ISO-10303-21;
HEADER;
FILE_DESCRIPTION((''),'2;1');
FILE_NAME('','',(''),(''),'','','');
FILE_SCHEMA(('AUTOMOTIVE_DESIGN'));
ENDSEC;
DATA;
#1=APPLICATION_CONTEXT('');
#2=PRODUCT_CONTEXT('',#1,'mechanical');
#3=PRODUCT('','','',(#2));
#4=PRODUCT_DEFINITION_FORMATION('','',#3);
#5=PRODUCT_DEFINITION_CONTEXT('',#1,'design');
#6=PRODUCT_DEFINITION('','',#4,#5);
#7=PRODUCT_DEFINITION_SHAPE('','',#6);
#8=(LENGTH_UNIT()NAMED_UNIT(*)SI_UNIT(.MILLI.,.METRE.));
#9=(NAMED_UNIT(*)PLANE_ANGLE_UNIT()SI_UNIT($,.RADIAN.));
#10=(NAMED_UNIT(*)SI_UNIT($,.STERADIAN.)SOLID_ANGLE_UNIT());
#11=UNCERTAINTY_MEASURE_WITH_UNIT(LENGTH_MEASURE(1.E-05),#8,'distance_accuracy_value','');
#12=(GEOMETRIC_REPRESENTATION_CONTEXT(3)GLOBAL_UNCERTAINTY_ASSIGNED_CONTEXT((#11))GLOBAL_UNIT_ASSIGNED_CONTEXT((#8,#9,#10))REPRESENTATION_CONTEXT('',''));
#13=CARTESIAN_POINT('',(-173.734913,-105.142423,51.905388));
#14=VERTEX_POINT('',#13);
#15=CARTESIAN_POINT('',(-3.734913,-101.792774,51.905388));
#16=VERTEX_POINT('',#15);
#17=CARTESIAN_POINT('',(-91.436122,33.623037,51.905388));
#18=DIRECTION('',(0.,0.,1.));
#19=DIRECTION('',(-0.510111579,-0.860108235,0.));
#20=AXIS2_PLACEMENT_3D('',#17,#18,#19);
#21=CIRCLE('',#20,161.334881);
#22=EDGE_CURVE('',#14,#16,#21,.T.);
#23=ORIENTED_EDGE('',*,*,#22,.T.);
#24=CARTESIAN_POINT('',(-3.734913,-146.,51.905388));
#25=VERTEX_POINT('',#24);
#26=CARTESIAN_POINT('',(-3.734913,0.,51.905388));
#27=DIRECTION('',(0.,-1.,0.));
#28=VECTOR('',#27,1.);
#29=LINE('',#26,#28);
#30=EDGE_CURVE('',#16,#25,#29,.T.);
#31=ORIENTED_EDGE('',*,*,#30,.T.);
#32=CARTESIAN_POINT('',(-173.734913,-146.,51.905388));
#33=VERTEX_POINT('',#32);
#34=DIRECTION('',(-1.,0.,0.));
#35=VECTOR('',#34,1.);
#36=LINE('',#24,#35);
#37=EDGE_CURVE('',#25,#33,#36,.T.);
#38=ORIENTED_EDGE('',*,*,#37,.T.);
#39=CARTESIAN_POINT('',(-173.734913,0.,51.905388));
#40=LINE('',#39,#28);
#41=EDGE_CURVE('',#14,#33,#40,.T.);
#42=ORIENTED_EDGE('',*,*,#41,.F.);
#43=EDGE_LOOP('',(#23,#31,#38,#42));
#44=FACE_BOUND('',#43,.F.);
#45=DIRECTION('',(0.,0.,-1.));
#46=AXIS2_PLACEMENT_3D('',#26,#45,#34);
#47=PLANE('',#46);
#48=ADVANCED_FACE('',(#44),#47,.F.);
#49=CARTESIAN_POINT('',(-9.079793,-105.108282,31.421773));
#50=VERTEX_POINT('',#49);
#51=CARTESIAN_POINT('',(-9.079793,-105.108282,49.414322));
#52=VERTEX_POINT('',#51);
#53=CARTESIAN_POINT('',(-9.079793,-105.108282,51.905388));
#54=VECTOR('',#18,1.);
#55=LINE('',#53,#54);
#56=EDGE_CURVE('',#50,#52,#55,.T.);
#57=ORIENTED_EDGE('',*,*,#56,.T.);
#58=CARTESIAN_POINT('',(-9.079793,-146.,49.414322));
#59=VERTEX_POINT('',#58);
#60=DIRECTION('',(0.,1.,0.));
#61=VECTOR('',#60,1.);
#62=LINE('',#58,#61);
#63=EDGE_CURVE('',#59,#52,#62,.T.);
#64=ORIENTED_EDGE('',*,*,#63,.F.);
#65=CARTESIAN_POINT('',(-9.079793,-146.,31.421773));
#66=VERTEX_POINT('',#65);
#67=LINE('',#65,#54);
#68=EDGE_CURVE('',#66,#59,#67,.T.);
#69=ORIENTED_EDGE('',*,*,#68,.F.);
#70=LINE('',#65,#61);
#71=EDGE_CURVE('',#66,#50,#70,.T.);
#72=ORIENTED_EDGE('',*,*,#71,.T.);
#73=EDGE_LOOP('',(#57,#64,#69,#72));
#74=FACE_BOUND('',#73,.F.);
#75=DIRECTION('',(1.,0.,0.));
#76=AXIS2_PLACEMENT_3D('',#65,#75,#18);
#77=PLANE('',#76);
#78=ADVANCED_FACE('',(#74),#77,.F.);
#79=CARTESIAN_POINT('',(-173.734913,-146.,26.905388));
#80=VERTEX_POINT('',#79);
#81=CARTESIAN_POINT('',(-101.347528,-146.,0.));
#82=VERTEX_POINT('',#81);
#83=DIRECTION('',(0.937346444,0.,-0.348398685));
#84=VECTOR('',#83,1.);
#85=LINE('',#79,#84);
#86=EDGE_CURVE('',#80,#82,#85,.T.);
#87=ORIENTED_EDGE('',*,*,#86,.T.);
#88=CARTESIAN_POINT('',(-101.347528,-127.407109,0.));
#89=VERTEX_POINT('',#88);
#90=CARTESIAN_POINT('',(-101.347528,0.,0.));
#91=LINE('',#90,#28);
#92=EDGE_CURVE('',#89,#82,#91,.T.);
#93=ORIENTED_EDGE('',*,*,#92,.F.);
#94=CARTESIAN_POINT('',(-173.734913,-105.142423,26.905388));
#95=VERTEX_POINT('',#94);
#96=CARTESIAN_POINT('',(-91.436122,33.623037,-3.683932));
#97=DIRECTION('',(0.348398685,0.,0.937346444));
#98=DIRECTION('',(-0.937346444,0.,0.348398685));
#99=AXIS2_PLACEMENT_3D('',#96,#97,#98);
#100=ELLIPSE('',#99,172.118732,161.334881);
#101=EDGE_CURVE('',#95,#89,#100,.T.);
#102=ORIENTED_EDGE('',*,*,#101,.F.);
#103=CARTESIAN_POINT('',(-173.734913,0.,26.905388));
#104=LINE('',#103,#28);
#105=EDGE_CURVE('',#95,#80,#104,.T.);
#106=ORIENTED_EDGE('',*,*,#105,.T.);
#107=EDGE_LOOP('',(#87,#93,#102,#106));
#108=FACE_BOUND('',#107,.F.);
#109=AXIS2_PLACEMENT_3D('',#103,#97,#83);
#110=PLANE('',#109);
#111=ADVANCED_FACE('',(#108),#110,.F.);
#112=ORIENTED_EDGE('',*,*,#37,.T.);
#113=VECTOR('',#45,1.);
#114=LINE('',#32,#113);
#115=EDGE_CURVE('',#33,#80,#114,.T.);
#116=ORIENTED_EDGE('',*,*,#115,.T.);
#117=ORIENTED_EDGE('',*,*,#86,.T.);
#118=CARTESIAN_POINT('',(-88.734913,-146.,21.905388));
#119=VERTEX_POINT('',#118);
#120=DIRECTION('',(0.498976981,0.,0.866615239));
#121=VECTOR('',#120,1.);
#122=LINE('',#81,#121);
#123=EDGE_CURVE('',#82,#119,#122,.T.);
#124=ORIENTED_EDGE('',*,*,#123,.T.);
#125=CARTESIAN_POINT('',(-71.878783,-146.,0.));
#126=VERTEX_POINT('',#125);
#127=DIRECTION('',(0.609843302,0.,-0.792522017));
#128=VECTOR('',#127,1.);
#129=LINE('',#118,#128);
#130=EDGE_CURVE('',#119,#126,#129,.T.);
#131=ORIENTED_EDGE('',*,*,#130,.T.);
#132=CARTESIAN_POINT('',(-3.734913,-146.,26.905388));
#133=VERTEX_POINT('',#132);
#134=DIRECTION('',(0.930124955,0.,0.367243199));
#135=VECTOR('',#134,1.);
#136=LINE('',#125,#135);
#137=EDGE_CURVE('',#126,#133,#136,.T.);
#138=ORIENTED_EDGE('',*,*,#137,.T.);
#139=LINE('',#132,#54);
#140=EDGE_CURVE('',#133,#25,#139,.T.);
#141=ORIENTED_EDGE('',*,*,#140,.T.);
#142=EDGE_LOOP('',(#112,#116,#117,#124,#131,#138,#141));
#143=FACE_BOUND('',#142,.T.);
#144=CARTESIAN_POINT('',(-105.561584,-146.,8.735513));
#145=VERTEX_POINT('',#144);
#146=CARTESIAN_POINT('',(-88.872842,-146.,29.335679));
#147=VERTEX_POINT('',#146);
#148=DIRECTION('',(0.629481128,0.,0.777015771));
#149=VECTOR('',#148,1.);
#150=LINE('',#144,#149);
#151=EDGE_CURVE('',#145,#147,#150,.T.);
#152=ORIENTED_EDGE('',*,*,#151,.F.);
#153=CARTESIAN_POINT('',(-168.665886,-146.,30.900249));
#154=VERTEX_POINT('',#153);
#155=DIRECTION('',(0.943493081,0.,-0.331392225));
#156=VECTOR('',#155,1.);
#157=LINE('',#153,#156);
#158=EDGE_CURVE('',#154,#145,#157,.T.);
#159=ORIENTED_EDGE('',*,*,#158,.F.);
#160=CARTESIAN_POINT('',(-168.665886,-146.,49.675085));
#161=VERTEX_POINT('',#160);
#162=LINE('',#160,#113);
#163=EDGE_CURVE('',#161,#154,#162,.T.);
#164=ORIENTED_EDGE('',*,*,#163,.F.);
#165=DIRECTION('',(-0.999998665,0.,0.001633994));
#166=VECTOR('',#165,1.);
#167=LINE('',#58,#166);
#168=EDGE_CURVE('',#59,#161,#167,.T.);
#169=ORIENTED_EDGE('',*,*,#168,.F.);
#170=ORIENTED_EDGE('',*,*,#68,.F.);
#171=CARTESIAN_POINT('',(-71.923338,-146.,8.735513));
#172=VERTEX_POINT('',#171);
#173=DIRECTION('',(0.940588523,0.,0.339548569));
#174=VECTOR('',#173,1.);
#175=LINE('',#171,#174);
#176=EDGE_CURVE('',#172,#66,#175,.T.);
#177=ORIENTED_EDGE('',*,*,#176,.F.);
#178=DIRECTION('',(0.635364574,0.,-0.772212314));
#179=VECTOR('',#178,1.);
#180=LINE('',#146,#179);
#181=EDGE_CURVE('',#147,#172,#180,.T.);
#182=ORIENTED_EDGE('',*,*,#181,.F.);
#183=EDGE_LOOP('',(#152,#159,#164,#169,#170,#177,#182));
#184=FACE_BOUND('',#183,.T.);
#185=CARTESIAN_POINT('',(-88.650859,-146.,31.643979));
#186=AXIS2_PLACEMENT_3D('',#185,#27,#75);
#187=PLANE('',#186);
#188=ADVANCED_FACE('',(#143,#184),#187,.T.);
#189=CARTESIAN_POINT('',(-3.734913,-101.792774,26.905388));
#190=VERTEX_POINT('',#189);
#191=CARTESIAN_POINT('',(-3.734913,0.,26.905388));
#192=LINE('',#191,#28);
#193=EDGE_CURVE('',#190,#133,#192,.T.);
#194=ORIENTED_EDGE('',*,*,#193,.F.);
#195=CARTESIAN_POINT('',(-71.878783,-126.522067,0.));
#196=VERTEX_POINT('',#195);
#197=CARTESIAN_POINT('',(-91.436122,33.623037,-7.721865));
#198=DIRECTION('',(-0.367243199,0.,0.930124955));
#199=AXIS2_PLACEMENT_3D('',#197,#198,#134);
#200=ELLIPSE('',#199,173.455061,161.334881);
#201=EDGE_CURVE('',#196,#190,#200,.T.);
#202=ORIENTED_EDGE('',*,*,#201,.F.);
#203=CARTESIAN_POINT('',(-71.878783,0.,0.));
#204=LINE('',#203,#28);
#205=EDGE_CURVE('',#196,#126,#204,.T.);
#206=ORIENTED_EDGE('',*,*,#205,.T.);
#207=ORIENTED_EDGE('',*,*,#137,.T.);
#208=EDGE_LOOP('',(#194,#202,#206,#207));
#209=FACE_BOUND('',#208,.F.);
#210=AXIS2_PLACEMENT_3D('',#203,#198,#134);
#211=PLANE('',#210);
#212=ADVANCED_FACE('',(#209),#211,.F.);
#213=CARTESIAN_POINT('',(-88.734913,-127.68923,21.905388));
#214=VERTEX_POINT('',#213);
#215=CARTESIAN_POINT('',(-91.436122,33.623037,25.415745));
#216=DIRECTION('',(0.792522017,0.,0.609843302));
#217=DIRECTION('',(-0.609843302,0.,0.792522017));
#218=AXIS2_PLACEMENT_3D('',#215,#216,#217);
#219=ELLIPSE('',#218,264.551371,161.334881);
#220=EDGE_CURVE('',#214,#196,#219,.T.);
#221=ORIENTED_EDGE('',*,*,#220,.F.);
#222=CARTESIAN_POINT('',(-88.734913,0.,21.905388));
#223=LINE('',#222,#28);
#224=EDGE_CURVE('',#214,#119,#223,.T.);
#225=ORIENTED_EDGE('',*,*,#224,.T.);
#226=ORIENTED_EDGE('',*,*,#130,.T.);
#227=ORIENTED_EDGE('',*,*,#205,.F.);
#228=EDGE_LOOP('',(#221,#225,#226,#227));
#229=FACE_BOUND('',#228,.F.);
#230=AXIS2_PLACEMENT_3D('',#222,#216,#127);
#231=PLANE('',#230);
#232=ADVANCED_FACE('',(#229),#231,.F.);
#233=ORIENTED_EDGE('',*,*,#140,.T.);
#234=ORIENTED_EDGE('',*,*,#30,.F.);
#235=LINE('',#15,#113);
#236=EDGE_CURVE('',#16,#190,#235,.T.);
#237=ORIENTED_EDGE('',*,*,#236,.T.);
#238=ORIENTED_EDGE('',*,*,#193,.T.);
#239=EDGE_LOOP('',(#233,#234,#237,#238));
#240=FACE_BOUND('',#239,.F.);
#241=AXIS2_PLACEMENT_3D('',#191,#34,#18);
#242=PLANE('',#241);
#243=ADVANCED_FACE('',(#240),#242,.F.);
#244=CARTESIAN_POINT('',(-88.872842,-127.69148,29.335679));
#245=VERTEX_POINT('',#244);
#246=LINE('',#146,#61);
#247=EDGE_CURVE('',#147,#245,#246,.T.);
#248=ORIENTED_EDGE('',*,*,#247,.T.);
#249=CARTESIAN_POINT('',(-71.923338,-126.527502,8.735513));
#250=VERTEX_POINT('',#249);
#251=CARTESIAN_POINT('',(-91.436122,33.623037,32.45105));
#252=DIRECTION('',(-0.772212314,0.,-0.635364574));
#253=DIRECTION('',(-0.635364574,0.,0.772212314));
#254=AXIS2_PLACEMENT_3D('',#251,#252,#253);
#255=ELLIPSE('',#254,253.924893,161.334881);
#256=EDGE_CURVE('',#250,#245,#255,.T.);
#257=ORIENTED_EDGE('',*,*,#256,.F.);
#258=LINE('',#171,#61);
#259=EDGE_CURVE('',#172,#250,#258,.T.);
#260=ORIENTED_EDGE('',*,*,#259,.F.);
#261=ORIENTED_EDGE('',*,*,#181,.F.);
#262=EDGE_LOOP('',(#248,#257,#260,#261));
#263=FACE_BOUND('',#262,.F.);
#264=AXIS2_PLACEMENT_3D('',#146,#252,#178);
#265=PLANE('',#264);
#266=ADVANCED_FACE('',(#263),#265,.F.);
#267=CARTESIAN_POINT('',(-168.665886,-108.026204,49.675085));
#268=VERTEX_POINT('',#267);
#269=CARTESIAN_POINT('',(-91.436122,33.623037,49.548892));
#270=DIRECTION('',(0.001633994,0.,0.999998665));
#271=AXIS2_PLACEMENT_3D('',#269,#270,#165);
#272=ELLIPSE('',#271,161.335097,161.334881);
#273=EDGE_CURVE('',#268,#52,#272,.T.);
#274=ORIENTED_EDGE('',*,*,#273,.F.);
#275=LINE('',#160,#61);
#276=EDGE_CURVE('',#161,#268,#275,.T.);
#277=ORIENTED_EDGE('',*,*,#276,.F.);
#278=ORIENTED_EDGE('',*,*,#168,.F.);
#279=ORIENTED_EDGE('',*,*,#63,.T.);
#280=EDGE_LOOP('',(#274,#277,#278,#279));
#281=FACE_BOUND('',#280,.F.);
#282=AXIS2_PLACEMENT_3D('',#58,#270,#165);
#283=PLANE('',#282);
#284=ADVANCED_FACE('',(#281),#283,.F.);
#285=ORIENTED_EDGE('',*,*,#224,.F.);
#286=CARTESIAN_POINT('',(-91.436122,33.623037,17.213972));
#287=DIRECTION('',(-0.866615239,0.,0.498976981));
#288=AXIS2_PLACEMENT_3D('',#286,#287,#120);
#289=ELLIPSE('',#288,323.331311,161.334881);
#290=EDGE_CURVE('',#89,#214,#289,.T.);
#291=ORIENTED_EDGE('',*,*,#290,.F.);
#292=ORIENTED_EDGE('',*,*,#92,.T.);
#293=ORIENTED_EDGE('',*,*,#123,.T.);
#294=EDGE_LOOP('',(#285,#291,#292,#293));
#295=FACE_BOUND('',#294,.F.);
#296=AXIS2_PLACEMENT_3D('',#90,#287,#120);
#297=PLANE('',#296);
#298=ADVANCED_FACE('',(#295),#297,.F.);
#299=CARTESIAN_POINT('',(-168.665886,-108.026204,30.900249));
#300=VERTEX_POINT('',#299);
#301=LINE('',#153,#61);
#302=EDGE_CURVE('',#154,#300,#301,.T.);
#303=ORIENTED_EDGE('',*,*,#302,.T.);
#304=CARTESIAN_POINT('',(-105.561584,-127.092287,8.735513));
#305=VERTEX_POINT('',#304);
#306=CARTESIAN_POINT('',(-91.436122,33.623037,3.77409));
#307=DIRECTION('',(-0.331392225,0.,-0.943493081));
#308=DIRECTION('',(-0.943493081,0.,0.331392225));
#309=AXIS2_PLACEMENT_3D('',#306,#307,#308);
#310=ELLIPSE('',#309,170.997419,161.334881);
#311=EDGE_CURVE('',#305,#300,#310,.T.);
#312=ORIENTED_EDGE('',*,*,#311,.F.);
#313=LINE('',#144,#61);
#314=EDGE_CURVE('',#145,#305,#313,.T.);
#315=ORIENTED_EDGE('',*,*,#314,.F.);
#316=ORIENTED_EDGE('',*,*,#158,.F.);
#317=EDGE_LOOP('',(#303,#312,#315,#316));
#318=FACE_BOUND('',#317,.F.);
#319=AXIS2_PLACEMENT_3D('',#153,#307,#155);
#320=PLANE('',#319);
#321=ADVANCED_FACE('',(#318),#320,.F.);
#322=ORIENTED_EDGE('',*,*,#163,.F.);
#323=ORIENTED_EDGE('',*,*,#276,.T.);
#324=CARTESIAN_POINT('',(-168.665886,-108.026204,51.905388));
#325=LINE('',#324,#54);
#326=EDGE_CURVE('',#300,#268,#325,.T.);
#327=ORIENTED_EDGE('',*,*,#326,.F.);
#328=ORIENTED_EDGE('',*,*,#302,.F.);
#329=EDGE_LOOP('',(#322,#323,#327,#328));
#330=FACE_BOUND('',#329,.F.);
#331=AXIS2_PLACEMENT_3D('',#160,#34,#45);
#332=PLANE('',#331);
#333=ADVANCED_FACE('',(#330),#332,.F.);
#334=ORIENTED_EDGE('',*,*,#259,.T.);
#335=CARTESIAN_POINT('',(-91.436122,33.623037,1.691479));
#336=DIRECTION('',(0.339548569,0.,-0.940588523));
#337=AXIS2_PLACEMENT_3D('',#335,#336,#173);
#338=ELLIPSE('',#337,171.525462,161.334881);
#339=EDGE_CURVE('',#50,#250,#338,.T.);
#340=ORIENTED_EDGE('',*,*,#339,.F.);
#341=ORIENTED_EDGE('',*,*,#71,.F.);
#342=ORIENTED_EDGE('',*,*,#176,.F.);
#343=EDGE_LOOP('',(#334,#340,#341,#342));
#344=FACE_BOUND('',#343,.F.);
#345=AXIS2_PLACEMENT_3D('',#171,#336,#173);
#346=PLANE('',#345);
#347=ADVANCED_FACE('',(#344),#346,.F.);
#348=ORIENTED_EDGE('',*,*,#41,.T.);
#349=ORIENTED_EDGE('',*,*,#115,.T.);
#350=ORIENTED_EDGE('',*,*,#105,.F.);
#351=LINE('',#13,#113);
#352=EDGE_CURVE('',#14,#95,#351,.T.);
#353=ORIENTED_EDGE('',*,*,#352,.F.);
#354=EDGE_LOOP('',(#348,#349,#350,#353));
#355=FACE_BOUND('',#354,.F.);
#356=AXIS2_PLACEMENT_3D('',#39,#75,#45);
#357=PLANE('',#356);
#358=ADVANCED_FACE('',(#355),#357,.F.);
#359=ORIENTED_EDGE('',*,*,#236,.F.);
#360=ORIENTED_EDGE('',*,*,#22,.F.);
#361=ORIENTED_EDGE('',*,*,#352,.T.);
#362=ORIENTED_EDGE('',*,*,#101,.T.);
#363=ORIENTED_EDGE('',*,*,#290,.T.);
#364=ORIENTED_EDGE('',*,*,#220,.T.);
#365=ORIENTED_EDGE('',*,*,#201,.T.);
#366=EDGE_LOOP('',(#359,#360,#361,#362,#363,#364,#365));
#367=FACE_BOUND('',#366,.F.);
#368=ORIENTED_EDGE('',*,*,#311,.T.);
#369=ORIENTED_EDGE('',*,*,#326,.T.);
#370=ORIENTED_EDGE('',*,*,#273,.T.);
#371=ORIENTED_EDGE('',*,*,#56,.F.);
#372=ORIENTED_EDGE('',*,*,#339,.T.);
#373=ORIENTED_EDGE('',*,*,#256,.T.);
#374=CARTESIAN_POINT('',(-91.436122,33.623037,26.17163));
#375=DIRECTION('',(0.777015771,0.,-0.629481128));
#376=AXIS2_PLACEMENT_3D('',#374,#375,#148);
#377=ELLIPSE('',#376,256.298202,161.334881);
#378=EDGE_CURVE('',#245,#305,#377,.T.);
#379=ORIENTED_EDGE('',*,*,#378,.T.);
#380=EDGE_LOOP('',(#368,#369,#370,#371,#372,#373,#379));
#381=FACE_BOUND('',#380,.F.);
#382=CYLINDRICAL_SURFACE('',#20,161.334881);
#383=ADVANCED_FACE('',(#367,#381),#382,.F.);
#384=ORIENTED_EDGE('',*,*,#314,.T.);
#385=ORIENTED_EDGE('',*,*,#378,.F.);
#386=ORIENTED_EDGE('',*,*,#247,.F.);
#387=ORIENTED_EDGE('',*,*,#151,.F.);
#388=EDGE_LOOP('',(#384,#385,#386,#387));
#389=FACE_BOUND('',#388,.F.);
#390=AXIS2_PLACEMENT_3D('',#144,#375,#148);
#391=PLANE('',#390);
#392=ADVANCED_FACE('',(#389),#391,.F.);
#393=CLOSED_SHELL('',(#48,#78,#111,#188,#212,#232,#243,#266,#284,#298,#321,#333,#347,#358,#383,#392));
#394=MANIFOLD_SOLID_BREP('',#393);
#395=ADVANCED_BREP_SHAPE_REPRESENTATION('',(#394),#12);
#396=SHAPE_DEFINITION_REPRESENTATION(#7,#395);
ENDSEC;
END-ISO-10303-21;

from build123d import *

# Parameters (mm, degrees)
F1_DEPTH = 146
F3_DEPTH = 60
F5_DEPTH = 500


with BuildPart() as f1:
    # F0 (on Front) → F1 (new body)
    with BuildSketch(Plane.XZ):
        Polygon((-3.734913, 26.905388), (-3.734913, 51.905388), (-88.734913, 51.905388), (-173.734913, 51.905388), (-173.734913, 26.905388), (-101.347528, 0), (-88.734913, 21.905388), (-71.878783, 0), align=None)
    extrude(amount=F1_DEPTH)

    # F2 (on face) → F3 (cut)
    with BuildSketch(Plane.XY.offset(51.905388)):
        with BuildLine():
            Line((-173.734913, 0), (-173.734913, -105.142423))
            ThreePointArc((-173.734913, -105.142423), (-88.257826, -127.680535), (-3.734913, -101.792774))
            Line((-3.734913, -101.792774), (-3.734913, 0))
            Line((-3.734913, 0), (-173.734913, 0))
        make_face()
    extrude(amount=-F3_DEPTH, mode=Mode.SUBTRACT)

    # F4 (on face) → F5 (cut)
    with BuildSketch(Plane.XZ.offset(146)):
        Polygon((-9.079793, 49.414322), (-168.665886, 49.675085), (-168.665886, 30.900249), (-105.561584, 8.735513), (-88.872842, 29.335679), (-71.923338, 8.735513), (-9.079793, 31.421773), align=None)
    extrude(amount=-F5_DEPTH, mode=Mode.SUBTRACT)


solid = f1.part
